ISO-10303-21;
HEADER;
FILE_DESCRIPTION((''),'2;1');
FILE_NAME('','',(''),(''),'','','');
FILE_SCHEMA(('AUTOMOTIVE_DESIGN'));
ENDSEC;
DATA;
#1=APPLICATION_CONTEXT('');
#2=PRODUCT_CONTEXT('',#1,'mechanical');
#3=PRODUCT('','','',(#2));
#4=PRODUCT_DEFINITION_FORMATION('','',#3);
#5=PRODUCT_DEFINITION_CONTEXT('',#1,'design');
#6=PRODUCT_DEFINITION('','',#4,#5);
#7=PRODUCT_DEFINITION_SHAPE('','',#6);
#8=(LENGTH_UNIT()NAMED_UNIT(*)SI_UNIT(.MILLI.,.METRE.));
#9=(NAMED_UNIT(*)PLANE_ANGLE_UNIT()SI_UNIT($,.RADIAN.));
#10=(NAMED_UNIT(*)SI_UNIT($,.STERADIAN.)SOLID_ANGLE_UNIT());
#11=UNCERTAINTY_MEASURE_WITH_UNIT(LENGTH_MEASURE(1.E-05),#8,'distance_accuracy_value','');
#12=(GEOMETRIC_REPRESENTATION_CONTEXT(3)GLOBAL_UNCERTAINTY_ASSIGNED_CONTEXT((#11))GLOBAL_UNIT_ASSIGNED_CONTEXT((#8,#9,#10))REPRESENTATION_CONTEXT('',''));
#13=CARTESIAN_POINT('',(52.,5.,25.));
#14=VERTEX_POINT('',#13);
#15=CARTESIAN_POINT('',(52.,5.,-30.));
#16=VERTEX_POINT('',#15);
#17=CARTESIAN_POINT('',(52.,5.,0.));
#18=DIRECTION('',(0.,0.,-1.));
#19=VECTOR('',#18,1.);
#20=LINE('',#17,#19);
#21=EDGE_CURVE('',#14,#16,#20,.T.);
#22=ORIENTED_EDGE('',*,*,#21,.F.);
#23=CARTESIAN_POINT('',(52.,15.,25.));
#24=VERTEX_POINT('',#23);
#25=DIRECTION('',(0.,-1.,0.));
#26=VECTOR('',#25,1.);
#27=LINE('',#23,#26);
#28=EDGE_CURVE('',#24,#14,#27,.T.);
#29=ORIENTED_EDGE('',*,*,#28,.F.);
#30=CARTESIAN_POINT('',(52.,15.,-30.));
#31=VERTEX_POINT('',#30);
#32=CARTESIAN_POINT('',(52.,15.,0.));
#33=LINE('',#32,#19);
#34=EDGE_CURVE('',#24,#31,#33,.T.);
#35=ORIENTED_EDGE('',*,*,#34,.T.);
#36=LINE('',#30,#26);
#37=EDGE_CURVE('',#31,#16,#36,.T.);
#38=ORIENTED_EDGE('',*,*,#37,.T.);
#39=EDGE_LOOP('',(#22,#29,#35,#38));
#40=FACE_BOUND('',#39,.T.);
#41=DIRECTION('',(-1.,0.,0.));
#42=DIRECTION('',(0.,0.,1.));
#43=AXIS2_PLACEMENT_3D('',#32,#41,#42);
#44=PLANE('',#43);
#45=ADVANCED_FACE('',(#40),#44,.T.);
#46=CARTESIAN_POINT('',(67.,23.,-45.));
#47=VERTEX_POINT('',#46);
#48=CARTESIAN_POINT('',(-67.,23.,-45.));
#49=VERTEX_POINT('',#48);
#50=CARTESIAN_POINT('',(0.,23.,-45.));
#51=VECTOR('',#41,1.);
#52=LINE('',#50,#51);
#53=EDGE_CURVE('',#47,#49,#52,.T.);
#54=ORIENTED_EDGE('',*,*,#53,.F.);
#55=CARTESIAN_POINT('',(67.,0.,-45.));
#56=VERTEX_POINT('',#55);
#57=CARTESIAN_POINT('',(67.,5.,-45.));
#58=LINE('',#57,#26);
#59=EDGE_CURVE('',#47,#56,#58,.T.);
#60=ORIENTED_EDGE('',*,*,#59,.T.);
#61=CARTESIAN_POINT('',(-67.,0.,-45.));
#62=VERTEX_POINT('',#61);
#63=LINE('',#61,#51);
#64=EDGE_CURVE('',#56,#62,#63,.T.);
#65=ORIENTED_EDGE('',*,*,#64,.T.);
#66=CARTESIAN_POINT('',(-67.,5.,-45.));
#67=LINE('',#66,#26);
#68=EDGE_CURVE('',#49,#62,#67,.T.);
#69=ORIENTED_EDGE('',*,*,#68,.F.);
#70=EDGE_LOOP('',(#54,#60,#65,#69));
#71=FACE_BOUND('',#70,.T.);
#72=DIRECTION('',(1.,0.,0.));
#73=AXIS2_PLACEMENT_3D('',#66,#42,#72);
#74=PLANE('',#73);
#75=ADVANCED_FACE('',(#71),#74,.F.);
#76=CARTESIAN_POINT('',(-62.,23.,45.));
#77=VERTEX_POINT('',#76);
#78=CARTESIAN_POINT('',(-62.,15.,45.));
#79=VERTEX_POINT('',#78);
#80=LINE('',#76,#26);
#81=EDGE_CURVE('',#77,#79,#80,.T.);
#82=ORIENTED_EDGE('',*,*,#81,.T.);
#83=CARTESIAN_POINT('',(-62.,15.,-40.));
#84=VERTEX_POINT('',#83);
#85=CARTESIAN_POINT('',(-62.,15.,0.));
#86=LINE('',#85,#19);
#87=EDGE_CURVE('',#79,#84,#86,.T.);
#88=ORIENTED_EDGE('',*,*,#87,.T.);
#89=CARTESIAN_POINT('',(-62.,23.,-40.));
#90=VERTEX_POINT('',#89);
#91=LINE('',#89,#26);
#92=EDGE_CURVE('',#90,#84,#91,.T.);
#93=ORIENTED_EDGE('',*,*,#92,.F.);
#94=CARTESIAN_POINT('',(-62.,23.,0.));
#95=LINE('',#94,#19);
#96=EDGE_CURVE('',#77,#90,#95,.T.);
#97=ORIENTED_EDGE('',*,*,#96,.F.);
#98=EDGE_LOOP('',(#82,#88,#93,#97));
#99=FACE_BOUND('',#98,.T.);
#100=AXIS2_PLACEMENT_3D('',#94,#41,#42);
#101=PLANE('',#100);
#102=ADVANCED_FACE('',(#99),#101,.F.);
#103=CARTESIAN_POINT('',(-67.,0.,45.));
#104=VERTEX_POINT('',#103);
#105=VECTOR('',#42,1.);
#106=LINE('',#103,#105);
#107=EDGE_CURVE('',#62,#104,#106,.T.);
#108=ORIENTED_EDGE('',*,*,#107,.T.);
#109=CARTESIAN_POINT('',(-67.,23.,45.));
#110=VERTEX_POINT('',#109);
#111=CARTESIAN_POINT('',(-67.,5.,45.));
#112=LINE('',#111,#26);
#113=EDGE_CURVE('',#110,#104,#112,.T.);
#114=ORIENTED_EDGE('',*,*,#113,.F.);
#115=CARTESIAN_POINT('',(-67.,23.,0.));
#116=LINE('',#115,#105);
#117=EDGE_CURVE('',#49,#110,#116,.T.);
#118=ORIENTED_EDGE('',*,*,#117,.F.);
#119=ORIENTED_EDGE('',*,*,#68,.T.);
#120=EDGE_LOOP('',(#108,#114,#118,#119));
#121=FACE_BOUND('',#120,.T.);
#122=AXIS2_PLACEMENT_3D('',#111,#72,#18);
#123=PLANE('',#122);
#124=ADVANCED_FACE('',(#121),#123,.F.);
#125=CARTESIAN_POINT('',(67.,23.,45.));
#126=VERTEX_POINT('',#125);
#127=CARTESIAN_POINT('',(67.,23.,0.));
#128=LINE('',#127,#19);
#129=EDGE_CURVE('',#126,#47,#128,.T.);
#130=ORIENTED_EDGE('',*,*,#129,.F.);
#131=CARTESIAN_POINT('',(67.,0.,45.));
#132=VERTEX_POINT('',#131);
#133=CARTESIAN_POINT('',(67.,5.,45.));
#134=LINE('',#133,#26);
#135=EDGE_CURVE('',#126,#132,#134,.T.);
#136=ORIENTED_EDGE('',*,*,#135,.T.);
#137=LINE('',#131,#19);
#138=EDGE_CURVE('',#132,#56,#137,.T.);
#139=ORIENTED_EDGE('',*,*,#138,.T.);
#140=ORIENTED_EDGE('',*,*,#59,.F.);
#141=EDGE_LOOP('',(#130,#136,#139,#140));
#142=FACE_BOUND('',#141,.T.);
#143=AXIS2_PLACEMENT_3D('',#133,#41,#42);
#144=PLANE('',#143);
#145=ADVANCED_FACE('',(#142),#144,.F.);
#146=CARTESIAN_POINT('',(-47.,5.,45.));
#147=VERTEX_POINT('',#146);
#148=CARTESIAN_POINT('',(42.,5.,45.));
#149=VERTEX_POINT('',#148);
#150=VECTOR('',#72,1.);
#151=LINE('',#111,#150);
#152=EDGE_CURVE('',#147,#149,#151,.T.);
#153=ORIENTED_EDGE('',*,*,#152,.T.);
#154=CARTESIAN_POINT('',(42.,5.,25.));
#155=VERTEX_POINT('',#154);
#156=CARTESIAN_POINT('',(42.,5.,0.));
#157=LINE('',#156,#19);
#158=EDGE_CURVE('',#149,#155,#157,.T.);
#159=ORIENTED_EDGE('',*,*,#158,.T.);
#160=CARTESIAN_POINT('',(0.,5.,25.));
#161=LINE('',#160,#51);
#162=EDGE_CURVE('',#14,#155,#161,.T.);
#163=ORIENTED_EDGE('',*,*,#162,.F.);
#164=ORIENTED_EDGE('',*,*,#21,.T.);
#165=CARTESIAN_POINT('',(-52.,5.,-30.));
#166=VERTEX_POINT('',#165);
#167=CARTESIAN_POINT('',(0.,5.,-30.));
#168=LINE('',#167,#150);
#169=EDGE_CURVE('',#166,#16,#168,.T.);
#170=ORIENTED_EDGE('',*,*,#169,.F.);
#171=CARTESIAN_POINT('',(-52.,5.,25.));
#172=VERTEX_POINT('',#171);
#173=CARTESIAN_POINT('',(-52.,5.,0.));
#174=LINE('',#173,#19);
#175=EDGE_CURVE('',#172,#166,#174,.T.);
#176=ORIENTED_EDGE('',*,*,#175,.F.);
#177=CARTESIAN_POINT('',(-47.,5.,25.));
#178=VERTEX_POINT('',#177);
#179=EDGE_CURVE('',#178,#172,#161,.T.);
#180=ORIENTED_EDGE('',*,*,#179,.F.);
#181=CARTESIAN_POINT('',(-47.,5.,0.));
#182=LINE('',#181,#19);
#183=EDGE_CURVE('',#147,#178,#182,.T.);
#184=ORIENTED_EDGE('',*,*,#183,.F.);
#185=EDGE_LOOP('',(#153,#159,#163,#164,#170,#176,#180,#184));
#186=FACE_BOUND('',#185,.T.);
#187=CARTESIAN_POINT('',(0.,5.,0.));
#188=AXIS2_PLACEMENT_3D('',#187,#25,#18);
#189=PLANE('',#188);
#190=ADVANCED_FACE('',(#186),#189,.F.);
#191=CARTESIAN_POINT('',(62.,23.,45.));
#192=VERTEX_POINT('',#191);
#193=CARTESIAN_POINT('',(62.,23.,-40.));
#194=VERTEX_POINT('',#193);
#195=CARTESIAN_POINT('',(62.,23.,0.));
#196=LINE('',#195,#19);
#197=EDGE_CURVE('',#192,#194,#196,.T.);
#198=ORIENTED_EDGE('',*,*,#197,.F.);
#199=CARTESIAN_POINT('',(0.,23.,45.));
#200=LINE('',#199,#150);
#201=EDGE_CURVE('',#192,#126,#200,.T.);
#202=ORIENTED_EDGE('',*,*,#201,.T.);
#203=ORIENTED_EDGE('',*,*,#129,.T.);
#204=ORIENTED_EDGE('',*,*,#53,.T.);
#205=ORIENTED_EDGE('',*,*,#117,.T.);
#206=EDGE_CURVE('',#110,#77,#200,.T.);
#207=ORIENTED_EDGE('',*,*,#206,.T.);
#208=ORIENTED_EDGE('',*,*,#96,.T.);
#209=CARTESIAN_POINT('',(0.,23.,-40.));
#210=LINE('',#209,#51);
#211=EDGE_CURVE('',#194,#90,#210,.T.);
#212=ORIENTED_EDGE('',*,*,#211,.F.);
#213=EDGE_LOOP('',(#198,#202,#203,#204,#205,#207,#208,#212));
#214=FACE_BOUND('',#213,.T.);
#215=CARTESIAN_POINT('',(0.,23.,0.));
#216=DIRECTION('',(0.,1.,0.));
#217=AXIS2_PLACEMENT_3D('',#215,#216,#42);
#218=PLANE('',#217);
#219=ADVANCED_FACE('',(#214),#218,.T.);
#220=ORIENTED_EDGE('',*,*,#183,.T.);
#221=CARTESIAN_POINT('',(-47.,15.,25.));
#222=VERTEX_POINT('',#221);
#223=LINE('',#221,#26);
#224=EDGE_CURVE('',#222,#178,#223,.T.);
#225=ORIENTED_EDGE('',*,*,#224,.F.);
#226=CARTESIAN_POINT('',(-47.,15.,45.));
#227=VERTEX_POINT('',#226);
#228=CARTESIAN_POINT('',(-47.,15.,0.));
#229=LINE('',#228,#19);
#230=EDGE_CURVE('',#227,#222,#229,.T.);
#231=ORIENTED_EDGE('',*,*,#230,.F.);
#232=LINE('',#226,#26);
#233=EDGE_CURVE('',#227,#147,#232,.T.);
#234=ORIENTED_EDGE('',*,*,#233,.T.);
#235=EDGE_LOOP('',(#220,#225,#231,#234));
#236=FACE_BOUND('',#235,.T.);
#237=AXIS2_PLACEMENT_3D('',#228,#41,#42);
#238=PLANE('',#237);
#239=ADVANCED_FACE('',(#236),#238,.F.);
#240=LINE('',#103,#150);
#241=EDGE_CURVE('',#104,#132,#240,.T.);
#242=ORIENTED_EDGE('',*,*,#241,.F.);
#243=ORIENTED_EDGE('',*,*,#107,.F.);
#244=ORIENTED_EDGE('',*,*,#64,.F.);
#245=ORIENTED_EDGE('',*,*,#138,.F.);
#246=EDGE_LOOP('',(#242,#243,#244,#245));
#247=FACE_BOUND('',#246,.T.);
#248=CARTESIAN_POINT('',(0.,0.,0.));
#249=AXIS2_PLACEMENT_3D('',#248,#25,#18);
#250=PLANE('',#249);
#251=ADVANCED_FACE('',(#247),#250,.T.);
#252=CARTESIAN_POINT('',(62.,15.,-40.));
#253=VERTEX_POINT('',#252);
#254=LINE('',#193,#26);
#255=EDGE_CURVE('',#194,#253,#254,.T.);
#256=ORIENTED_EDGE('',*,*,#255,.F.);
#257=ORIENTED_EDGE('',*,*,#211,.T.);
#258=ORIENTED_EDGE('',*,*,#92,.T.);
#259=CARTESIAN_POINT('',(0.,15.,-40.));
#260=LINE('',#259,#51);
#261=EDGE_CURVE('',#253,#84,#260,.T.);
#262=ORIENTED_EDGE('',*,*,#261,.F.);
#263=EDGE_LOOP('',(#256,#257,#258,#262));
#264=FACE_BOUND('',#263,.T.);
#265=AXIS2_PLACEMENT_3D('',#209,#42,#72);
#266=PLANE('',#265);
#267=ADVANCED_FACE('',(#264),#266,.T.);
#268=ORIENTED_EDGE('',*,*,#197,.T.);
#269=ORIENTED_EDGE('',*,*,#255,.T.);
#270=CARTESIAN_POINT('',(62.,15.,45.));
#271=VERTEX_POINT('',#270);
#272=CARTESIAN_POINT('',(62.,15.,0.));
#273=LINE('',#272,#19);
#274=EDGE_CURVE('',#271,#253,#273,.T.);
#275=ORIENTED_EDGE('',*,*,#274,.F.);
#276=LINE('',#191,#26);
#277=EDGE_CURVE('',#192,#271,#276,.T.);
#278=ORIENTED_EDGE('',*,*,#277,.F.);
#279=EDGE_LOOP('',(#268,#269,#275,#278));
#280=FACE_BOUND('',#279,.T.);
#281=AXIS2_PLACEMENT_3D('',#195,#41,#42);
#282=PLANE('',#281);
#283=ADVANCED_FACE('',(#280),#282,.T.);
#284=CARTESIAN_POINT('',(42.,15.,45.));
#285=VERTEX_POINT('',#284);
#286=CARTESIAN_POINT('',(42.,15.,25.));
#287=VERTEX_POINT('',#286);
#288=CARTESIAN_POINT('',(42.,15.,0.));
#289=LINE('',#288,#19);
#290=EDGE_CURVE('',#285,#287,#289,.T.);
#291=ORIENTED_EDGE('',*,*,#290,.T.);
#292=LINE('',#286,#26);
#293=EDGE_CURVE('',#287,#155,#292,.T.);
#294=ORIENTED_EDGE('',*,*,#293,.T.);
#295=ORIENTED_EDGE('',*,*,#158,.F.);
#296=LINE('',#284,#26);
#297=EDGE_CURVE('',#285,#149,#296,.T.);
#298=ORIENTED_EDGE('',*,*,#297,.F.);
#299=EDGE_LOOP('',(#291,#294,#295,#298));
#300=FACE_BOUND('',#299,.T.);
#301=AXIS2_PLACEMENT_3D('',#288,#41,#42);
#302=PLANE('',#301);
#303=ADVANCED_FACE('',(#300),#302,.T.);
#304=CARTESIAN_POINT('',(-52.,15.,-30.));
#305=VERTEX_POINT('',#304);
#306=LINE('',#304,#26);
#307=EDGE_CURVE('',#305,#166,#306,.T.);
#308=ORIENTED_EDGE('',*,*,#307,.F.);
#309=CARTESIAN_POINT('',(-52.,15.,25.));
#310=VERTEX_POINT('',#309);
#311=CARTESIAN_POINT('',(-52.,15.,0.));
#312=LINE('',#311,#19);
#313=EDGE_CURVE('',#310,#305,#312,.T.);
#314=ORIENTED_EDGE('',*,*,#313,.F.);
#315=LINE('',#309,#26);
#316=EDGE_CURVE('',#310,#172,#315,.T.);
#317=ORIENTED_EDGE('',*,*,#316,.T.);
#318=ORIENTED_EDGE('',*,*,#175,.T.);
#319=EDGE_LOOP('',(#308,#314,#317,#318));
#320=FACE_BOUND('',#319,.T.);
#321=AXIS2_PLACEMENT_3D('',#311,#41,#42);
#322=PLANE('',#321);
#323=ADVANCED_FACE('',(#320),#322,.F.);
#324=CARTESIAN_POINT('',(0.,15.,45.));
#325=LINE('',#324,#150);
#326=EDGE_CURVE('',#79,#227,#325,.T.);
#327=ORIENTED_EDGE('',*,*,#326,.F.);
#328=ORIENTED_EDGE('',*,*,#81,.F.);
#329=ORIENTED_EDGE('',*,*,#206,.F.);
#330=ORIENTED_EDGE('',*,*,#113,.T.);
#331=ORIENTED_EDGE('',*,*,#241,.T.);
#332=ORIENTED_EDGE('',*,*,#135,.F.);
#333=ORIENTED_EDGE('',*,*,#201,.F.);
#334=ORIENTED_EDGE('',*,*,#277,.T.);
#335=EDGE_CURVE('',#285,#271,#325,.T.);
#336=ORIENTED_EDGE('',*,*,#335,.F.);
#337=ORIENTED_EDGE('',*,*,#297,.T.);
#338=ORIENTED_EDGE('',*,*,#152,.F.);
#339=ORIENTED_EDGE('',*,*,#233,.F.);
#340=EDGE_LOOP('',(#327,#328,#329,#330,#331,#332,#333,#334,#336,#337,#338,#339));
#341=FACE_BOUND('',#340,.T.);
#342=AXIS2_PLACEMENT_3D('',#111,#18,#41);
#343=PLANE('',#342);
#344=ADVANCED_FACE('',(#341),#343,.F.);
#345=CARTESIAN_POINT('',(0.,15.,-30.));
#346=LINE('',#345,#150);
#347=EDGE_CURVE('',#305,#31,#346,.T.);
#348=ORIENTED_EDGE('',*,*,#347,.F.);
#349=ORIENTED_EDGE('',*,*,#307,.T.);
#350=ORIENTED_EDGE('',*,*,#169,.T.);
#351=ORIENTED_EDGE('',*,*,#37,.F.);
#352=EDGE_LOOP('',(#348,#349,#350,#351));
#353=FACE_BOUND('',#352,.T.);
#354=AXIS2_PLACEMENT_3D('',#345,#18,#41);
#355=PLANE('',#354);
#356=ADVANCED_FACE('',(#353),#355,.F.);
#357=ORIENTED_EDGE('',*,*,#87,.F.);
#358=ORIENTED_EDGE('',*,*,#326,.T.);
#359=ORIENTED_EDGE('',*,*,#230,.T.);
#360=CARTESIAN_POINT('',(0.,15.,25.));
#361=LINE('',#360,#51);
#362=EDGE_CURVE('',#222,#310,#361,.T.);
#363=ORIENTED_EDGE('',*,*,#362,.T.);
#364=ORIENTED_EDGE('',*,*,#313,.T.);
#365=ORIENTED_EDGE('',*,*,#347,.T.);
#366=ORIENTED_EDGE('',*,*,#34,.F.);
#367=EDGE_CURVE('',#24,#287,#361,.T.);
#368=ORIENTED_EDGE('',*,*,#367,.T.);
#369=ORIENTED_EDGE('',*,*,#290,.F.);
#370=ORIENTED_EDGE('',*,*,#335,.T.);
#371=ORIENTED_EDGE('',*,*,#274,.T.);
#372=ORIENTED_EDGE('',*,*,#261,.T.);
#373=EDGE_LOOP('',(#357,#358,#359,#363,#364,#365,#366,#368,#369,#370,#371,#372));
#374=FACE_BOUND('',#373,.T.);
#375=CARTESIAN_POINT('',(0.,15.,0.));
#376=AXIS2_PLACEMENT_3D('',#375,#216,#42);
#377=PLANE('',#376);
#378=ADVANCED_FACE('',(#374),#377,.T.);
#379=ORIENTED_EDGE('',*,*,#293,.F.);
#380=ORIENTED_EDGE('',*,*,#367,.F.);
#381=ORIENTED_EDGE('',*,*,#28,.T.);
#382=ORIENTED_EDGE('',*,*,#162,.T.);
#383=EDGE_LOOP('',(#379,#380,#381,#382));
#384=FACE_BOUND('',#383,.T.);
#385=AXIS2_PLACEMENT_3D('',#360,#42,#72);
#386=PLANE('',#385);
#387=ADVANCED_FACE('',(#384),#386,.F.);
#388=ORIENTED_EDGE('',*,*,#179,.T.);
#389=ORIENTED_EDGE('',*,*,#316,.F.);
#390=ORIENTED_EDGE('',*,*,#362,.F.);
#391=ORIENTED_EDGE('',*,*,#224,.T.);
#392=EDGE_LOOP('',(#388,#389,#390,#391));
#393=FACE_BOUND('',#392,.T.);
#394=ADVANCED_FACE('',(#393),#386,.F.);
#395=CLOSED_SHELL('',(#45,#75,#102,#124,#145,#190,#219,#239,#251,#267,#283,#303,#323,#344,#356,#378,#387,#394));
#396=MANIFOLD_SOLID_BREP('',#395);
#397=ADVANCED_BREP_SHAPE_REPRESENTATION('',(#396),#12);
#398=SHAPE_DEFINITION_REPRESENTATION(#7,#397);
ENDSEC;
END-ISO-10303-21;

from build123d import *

# Parameters (mm, degrees)
SKETCH_1_W      = 134
SKETCH_1_H      = 90
EXTRUDE_1_DEPTH = 5
EXTRUDE_2_DEPTH = 10
EXTRUDE_3_DEPTH = 8


with BuildPart() as part:
    # Эскиз1 → Бобышка-Вытянуть1 (new body)
    with BuildSketch(Plane(origin=(0, 0, 0), x_dir=(1, 0, 0), z_dir=(0, 1, 0))):
        Rectangle(SKETCH_1_W, SKETCH_1_H)
    extrude(amount=EXTRUDE_1_DEPTH)

    # Эскиз2 → Бобышка-Вытянуть2 (add)
    with BuildSketch(Plane(origin=(0, 5, 0), x_dir=(1, 0, 0), z_dir=(0, 1, 0))):
        Polygon((-51.5, -45), (-47, -45), (-47, -25), (-52, -25), (-52, 30), (52, 30), (52, -25), (42, -25), (42, -45), (51.5, -45), (67, -45), (67, -25), (67, 30), (67, 45), (51.5, 45), (-51.5, 45), (-67, 45), (-67, 30), (-67, -25), (-67, -45), align=None)
    extrude(amount=EXTRUDE_2_DEPTH)

    # Эскиз3 → Бобышка-Вытянуть3 (add)
    with BuildSketch(Plane(origin=(0, 15, 0), x_dir=(1, 0, 0), z_dir=(0, 1, 0))):
        Polygon((62, -45), (67, -45), (67, 40), (67, 45), (61.5, 45), (-61.5, 45), (-67, 45), (-67, 40), (-67, -45), (-62, -45), (-62, 40), (62, 40), align=None)
    extrude(amount=EXTRUDE_3_DEPTH)


solid = part.part
